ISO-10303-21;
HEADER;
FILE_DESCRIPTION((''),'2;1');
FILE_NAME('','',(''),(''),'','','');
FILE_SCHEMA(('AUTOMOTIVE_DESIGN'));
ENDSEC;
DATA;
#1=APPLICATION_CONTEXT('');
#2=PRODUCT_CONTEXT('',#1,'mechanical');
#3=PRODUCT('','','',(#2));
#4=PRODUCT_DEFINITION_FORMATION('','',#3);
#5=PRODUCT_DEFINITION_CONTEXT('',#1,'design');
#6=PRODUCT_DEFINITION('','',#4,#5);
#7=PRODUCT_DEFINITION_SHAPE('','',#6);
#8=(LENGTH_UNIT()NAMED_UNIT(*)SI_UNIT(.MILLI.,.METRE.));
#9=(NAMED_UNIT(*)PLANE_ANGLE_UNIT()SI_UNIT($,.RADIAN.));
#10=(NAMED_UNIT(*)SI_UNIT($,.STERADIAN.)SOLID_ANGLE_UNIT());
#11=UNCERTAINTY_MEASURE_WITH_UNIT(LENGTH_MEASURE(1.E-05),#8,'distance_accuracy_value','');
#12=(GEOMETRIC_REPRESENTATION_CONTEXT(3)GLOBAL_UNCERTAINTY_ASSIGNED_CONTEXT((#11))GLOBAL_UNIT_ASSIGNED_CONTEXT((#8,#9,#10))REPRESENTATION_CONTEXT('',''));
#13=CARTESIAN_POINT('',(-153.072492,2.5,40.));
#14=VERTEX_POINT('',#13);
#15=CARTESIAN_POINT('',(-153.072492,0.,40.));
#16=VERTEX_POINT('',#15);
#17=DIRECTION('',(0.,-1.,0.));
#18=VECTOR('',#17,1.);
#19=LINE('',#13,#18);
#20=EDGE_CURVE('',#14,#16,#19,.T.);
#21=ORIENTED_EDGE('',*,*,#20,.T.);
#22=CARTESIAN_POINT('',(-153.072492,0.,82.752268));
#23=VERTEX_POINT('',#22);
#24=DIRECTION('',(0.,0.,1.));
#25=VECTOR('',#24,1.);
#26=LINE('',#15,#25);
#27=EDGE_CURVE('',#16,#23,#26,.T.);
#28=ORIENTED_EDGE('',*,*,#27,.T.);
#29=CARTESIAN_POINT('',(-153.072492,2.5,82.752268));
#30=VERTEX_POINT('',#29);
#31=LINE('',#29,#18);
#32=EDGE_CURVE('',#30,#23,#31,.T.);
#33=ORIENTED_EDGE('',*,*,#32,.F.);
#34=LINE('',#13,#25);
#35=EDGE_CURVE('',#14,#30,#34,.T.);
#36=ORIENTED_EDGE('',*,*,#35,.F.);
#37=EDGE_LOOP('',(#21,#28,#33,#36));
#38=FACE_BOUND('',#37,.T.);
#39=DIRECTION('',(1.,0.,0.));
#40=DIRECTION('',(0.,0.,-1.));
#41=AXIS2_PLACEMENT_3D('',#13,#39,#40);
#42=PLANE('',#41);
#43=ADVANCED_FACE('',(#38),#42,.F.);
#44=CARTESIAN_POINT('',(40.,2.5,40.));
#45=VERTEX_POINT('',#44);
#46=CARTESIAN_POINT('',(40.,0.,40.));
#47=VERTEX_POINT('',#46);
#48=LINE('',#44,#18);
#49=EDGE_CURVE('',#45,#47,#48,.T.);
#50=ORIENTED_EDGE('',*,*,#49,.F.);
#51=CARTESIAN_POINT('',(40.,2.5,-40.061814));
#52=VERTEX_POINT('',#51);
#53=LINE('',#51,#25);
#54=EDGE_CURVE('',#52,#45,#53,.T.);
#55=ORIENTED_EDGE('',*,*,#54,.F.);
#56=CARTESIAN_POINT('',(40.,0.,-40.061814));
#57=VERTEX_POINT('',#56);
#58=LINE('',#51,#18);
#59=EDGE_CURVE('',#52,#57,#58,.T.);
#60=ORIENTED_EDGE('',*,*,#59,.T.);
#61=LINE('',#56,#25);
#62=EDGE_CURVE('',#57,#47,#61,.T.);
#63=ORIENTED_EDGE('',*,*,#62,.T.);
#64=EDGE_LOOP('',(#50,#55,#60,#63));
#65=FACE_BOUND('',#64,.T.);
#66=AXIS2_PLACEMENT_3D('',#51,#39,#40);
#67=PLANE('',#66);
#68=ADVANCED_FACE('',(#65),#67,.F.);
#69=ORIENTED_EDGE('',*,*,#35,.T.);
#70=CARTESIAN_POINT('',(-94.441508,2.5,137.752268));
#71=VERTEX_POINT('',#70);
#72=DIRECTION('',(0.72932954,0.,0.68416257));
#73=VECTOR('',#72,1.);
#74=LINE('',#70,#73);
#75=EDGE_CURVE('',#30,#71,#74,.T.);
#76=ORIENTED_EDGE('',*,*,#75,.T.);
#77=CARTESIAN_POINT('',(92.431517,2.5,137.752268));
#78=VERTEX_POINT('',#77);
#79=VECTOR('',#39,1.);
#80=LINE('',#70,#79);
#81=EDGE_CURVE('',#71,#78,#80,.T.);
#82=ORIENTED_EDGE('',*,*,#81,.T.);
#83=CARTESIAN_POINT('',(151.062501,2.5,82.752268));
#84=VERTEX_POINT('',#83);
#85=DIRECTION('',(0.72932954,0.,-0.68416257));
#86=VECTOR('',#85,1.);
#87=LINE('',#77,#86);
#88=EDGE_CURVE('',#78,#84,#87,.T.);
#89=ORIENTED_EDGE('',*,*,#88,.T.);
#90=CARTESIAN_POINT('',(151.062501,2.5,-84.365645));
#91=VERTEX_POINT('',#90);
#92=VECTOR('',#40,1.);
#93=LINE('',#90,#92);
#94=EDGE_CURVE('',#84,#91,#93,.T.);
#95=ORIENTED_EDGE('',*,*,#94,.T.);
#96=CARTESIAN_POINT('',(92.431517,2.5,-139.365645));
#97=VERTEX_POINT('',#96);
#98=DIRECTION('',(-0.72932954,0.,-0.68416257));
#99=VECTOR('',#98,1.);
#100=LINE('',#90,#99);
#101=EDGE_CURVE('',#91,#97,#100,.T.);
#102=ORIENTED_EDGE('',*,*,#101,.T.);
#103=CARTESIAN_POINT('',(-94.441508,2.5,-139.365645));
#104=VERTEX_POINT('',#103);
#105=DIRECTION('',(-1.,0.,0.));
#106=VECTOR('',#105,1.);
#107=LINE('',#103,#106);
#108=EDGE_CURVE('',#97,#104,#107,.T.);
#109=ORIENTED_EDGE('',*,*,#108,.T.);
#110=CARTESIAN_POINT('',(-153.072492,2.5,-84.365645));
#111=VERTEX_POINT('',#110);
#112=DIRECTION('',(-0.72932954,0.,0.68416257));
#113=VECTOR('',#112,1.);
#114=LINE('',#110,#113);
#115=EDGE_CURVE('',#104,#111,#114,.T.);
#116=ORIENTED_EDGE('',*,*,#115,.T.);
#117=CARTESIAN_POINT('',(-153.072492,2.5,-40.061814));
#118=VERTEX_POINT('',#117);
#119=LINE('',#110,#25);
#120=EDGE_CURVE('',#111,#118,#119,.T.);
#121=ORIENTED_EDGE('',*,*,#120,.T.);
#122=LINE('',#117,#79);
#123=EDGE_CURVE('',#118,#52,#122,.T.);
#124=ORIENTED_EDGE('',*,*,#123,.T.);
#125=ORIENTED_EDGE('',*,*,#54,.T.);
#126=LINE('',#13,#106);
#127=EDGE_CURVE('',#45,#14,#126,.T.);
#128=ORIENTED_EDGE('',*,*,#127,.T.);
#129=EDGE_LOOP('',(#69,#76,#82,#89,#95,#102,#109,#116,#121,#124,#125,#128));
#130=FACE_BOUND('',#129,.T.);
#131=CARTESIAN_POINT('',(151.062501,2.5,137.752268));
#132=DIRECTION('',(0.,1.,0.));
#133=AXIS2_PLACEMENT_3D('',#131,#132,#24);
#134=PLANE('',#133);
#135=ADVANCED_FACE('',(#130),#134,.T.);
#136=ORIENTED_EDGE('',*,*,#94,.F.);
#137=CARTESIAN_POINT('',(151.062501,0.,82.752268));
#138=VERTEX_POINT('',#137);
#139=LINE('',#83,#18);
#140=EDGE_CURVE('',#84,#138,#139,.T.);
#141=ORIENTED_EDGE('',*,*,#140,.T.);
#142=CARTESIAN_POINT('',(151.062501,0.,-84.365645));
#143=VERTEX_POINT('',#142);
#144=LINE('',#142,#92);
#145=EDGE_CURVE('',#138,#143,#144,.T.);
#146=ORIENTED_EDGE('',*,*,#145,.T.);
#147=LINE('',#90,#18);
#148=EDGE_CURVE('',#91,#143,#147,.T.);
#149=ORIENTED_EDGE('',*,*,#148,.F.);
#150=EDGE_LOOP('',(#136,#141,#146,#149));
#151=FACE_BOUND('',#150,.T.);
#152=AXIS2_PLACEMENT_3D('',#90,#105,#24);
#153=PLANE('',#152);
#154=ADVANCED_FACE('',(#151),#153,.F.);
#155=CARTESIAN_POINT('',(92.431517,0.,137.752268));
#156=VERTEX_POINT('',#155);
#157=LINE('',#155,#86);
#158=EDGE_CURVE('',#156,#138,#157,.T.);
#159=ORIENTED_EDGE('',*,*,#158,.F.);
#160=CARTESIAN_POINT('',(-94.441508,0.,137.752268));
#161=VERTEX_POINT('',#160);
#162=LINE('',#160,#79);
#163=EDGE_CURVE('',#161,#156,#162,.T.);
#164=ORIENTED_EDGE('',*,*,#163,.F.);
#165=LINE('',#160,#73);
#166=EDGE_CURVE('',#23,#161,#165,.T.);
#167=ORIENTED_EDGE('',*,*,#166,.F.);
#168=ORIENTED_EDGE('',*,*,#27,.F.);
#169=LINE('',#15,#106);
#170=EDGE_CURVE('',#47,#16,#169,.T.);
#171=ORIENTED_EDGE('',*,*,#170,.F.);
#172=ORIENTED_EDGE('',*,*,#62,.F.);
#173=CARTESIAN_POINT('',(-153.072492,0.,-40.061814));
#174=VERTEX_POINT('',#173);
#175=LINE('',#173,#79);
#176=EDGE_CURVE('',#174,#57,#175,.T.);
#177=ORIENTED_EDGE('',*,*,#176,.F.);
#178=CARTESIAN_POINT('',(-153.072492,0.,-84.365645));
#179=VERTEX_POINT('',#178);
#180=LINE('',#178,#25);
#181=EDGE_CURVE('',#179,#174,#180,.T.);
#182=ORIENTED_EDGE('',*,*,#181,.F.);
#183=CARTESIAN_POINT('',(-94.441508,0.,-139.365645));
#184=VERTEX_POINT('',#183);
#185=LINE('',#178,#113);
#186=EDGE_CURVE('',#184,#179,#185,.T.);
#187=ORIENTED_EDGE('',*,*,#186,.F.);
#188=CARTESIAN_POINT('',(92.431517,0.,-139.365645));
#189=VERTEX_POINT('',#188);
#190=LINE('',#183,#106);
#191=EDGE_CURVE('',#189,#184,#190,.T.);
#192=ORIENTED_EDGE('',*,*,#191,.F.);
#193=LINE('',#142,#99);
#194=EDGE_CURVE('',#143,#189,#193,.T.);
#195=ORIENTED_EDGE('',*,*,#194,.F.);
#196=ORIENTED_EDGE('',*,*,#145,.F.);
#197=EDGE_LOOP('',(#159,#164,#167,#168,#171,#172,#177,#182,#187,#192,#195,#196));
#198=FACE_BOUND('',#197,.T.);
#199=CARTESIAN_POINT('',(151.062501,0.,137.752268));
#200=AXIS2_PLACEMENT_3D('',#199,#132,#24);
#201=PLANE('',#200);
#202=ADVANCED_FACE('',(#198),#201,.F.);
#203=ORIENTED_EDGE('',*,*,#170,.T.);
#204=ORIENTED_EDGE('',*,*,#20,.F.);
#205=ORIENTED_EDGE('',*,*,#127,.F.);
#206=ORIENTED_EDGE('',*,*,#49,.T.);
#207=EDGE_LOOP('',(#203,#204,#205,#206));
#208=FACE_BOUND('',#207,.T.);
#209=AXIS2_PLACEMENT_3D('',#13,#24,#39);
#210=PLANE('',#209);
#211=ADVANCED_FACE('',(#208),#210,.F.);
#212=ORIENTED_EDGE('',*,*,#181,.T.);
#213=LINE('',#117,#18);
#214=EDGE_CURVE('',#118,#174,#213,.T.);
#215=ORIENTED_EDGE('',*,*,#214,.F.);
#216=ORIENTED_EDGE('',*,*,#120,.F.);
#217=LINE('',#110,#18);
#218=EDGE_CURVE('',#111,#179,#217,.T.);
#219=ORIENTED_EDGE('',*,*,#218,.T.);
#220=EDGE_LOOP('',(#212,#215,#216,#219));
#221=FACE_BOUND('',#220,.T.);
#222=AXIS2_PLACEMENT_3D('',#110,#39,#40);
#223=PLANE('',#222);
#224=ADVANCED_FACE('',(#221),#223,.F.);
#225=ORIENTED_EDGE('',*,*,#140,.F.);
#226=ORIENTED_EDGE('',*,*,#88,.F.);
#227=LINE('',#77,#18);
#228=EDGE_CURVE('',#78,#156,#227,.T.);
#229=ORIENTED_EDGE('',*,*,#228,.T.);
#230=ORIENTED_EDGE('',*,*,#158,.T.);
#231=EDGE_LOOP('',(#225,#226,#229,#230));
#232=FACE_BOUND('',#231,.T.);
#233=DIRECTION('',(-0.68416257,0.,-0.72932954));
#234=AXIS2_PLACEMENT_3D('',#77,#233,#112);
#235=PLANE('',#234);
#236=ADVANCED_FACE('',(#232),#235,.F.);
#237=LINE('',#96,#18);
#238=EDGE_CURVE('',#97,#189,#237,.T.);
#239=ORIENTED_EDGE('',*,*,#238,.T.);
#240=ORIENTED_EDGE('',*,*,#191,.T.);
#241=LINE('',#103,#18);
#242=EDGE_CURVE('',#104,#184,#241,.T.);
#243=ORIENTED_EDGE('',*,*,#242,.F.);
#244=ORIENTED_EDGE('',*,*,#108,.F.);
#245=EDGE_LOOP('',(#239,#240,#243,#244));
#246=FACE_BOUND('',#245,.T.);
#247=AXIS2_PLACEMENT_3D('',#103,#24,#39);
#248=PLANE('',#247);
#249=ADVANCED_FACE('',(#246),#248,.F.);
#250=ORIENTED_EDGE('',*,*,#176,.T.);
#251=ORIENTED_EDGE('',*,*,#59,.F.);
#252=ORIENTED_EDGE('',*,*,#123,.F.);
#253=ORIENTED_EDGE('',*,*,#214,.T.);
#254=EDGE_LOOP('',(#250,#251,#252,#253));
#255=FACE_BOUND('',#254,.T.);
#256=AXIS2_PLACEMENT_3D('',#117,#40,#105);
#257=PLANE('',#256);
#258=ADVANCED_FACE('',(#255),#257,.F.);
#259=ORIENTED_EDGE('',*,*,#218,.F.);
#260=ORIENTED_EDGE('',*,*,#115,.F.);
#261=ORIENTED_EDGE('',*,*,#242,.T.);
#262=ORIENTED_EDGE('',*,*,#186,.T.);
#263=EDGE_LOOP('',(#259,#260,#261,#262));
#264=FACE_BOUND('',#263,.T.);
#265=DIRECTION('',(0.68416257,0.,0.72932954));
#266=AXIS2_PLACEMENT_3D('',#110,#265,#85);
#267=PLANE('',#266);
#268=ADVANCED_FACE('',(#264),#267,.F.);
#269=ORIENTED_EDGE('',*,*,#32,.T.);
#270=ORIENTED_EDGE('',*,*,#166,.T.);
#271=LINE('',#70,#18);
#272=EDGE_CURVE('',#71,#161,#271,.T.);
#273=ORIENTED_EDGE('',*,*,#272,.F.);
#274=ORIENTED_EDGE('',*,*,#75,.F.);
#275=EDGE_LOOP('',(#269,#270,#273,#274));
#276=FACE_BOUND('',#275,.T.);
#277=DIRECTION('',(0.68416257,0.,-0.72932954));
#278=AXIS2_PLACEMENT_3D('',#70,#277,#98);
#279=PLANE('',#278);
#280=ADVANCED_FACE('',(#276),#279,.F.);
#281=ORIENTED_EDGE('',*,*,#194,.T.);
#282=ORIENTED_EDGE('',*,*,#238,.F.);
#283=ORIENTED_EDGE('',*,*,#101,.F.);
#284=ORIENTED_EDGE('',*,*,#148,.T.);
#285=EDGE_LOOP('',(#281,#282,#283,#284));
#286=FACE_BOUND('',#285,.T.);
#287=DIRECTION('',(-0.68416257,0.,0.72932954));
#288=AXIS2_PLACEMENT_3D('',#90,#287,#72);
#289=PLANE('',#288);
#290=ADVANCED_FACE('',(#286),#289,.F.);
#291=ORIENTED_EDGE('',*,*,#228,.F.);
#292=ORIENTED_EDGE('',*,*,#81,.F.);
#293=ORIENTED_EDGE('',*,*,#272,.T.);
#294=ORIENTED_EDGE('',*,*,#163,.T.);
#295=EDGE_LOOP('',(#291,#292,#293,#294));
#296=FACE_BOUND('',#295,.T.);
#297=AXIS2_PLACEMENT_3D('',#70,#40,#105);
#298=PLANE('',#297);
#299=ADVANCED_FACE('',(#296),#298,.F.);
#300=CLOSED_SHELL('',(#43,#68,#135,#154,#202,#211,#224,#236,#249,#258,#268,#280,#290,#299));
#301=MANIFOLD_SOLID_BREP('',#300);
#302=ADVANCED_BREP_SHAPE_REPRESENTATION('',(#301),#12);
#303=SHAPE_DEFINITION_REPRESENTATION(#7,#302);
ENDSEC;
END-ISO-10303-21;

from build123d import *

# Parameters (mm, degrees)
EXTRUDE_1_DEPTH = 2.5


with BuildPart() as part:
    # Эскиз1 → Вытянуть1 (new body)
    with BuildSketch(Plane(origin=(0, 0, 0), x_dir=(1, 0, 0), z_dir=(0, 1, 0))):
        Polygon((-94.441508041, -137.752267566), (-153.072492047, -82.752267566), (-153.072492047, -40), (40, -40), (40, 40.061813782), (-153.072492047, 40.061813782), (-153.072492047, 84.365645152), (-94.441508041, 139.365645152), (92.431517161, 139.365645152), (151.062501167, 84.365645152), (151.062501167, -82.752267566), (92.431517161, -137.752267566), align=None)
    extrude(amount=EXTRUDE_1_DEPTH)


solid = part.part
